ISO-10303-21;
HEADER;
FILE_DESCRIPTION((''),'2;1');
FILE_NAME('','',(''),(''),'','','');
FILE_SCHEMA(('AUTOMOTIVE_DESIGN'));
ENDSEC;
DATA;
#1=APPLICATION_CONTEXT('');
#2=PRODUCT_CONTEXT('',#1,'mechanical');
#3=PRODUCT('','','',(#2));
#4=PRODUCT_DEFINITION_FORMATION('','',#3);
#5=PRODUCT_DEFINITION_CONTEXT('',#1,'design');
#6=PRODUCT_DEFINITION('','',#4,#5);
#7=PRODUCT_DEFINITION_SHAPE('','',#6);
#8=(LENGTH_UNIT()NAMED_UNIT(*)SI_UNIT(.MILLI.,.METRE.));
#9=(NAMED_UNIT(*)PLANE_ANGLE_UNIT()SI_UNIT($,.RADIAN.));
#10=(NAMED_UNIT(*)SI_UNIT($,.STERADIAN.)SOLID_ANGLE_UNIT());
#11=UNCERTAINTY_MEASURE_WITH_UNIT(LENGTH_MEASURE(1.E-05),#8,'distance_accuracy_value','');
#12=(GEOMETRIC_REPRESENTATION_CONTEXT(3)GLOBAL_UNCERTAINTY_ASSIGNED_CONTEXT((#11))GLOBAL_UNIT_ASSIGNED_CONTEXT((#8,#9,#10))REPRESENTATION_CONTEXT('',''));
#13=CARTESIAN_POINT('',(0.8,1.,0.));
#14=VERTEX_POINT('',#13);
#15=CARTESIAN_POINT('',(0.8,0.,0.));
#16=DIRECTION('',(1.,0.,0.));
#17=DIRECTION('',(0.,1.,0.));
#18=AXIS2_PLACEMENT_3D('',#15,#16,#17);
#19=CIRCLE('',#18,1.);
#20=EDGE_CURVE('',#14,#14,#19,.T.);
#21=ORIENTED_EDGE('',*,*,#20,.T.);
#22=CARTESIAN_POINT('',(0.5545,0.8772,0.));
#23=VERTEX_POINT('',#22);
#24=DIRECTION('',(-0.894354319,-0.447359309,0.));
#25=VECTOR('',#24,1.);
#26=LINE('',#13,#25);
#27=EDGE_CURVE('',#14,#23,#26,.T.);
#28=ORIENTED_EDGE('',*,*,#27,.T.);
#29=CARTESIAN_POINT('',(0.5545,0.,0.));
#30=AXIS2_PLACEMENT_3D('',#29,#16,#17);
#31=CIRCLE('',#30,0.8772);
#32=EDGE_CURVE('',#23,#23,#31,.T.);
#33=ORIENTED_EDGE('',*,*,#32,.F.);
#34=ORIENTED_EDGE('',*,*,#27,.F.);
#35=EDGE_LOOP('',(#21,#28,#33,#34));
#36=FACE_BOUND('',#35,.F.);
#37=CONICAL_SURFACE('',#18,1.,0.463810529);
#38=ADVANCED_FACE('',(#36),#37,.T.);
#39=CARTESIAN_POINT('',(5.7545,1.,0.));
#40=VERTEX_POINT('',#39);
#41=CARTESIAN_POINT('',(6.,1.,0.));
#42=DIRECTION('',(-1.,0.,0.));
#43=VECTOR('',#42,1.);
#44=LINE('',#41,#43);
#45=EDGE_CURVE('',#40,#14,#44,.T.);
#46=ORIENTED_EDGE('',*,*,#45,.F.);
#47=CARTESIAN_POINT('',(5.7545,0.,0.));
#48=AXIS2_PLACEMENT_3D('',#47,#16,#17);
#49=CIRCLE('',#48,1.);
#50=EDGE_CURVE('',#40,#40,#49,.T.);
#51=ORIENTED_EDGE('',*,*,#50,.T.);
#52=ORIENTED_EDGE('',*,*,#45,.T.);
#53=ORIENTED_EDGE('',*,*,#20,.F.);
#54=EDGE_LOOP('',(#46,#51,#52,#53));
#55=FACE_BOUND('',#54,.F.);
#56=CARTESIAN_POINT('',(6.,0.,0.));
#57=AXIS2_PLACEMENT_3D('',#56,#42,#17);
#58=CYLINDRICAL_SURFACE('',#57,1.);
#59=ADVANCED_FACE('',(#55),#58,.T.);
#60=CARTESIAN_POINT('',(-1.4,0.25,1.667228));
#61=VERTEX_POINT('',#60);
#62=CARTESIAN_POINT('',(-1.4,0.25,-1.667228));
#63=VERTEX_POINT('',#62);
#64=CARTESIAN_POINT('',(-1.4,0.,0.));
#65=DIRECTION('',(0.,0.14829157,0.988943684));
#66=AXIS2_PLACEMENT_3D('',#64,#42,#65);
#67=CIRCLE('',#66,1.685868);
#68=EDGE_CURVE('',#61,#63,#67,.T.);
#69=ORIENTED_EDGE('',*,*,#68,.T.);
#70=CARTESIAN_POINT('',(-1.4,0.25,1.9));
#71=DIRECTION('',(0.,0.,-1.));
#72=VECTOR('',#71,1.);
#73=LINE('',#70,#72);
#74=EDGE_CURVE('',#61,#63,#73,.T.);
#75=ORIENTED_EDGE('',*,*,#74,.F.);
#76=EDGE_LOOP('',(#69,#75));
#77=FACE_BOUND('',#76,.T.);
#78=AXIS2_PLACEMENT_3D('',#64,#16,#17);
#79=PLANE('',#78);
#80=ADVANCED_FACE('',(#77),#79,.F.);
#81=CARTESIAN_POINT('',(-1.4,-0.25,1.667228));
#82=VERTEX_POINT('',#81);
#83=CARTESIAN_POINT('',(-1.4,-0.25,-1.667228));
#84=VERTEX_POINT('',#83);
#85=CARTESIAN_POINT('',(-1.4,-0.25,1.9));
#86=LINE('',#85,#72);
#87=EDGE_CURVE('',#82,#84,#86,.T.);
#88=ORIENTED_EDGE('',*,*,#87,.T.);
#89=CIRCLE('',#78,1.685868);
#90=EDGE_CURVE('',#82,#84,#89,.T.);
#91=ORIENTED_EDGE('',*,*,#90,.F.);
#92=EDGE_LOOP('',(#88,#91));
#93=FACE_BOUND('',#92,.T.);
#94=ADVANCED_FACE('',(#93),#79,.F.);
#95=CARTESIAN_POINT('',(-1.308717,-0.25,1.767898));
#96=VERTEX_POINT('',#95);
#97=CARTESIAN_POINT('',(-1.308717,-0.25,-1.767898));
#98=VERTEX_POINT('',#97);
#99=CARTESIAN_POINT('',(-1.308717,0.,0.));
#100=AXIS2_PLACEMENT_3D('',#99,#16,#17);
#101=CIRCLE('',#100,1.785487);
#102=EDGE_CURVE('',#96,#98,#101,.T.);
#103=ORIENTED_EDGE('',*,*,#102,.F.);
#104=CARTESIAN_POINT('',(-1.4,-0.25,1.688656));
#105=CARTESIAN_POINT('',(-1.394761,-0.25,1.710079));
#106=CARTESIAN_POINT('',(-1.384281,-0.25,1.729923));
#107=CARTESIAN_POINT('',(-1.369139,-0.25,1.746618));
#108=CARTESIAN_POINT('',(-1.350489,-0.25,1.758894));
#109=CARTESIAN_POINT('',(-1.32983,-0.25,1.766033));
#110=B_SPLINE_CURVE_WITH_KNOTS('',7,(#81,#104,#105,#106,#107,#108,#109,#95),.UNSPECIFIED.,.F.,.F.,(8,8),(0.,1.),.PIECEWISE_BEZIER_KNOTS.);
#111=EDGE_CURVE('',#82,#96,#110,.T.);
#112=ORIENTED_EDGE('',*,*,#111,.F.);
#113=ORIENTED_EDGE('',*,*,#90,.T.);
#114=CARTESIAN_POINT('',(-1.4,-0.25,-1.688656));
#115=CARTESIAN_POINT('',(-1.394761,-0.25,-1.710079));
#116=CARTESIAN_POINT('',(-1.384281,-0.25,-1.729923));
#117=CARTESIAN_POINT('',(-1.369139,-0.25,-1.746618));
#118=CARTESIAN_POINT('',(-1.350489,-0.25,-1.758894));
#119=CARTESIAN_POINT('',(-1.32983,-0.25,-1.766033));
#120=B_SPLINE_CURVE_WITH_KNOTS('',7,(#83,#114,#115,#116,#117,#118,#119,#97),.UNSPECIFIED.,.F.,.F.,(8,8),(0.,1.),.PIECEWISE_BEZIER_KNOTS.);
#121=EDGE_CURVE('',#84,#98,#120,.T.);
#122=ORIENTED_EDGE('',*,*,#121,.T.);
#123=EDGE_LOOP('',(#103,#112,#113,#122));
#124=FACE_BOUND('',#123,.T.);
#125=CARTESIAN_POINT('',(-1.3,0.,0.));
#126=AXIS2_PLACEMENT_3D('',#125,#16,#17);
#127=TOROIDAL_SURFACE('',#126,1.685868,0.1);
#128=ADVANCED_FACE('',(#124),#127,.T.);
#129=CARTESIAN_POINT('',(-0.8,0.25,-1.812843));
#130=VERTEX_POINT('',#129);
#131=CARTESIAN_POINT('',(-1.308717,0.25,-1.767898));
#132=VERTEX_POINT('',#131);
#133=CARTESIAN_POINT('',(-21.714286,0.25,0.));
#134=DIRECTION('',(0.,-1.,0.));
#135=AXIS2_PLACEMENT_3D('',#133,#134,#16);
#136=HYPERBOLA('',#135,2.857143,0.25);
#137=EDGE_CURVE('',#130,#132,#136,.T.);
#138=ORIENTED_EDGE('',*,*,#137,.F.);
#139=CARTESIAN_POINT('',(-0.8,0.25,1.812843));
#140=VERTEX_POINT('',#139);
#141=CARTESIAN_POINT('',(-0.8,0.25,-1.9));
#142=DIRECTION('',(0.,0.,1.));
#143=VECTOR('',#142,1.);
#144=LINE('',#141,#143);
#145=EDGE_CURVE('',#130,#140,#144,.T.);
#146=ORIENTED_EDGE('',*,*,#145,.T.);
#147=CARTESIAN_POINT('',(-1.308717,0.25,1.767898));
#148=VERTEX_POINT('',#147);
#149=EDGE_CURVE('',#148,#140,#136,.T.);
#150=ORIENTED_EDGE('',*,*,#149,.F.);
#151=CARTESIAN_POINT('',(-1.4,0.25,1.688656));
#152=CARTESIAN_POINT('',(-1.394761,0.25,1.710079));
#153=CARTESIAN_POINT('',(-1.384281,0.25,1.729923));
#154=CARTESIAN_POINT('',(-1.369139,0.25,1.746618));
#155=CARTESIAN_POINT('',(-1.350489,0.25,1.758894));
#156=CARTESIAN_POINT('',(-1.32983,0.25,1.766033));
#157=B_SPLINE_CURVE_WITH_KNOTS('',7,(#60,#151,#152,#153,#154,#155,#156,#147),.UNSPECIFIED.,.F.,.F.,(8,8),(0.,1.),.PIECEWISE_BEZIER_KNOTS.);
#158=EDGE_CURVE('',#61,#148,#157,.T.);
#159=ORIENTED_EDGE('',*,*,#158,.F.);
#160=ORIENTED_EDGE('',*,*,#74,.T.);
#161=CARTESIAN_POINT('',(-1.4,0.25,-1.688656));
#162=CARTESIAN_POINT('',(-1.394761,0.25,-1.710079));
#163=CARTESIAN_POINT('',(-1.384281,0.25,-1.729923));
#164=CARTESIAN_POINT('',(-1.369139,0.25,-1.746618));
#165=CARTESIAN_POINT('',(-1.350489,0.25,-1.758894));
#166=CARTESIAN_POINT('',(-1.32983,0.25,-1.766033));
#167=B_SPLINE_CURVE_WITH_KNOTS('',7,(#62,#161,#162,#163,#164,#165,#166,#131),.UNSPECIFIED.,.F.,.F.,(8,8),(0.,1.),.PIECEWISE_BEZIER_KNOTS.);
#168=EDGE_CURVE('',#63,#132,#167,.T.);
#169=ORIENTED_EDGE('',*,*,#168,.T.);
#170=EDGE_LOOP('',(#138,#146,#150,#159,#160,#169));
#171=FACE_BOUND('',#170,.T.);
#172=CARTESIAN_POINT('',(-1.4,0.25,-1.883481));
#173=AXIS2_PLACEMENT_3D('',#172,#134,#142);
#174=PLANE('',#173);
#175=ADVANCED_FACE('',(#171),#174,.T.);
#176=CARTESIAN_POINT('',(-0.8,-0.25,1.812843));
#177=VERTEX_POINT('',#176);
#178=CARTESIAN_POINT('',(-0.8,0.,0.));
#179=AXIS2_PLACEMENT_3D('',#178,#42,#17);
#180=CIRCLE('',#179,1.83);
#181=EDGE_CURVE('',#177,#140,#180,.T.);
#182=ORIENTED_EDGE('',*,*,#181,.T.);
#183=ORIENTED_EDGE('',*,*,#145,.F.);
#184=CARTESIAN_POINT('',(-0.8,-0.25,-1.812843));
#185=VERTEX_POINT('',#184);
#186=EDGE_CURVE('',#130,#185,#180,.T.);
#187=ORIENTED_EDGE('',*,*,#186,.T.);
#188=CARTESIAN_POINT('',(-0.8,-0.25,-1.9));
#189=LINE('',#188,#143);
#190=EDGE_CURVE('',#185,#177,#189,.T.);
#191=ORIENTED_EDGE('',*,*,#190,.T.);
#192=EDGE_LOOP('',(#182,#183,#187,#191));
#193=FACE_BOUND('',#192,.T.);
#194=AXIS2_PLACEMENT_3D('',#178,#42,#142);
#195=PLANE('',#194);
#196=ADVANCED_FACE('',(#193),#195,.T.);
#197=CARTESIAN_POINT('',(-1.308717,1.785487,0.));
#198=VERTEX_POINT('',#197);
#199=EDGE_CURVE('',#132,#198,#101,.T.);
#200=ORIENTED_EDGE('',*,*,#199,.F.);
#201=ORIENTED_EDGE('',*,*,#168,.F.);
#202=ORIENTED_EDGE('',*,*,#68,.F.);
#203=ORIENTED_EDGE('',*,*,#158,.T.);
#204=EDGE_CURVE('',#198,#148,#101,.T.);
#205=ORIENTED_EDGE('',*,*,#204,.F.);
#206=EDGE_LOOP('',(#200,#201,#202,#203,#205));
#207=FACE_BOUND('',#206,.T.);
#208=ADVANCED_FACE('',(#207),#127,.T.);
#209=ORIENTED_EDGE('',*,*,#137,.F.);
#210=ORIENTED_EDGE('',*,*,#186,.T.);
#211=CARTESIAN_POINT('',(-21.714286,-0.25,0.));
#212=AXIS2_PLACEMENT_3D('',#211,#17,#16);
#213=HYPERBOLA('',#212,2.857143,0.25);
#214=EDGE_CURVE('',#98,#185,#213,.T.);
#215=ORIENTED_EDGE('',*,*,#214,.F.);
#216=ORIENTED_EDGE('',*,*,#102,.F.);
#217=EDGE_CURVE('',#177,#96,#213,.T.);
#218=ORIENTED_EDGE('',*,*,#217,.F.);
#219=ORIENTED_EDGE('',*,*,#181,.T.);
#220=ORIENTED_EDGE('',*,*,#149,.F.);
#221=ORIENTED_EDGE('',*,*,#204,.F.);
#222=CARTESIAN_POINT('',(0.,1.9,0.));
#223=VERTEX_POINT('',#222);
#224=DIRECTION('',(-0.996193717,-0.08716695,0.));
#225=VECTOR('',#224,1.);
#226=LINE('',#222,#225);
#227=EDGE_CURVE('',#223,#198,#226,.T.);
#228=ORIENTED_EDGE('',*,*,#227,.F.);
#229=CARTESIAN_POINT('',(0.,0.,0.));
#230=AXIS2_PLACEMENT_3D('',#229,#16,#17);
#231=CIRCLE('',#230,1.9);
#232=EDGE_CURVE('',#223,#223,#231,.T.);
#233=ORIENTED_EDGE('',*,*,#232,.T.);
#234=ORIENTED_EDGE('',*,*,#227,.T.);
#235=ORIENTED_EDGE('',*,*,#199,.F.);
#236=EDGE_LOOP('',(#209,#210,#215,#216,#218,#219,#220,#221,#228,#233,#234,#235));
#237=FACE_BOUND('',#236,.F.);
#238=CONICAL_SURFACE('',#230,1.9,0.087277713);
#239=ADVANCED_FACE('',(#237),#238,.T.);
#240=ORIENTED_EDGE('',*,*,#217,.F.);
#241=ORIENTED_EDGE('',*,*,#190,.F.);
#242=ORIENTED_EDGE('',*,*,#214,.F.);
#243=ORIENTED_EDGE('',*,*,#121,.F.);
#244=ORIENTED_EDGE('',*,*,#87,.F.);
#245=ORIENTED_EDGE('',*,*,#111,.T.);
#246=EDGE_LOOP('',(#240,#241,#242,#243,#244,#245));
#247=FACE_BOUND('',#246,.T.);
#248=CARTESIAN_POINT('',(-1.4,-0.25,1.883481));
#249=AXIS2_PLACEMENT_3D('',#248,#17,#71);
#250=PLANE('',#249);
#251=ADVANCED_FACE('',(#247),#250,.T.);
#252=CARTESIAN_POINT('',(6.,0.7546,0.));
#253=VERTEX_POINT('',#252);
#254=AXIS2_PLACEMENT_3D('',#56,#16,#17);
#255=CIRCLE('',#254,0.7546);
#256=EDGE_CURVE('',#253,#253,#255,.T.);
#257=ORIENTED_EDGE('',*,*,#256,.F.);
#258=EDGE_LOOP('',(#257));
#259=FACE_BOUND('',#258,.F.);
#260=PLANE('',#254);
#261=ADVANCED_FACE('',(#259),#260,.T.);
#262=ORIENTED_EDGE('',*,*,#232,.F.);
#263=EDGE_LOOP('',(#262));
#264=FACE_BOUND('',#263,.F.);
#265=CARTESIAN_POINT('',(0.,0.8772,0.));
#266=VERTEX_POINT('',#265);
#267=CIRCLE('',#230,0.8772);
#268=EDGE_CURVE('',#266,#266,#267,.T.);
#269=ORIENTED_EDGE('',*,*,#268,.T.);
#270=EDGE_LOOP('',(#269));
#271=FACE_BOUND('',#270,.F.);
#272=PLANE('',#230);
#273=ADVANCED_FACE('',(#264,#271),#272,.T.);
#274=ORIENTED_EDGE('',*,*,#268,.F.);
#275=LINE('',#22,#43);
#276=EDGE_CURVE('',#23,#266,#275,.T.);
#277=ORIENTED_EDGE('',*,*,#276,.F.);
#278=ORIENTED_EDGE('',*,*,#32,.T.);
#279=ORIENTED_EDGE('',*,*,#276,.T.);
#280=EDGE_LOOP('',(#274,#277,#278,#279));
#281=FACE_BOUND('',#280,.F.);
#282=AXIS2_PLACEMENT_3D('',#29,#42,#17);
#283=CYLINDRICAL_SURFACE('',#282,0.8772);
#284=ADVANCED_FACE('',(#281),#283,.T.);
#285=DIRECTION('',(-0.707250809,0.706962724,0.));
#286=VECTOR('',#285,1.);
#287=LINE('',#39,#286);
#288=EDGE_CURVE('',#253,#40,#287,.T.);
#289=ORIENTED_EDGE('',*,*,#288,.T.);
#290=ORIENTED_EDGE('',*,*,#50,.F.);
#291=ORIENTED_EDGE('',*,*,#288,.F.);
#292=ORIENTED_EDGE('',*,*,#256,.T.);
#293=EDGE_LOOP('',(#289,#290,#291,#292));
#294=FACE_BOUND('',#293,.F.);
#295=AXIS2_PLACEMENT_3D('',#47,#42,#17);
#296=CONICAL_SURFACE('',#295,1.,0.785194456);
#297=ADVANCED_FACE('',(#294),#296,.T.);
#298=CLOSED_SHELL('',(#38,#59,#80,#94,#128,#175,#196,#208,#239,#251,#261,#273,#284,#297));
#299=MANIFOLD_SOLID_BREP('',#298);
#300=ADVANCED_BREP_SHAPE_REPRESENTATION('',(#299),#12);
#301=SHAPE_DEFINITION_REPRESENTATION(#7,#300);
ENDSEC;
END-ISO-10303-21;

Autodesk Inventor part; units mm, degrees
ref_plane "YZ Plane" through (0, 0, 0) normal (1, 0, 0) x (0, 1, 0)
ref_plane "XZ Plane" through (0, 0, 0) normal (0, 1, 0) x (-1, 0, 0)
sketch "Skizze1" plane through (0, 0, 0) normal (0, 0, 1) x (1, 0, 0)
  line L0 (-1.4, 0) -> (6, 0)
  line L1 (6, 0) -> (6, 1)
  line L2 (6, 1) -> (0.8, 1)
  line L3 (0.8, 1) -> (0.5545, 0.8772)
  line L4 (0.5545, 0.8772) -> (0, 0.8772)
  line L5 (0, 0.8772) -> (0, 1.9)
  line L6 (-2.88, 0) -> (7.48, 0) projected
  line L7 (0, -0.38) -> (0, 2.28) projected
  line L8 (-1.4, 0) -> (-1.4, 1.7775)
  line L9 (0, 1.9) -> (-1.4, 1.7775)
  line L10 (0.8, 1) -> (0, 1) construction
  dimension "d0" = 6
  dimension "d1" = 5.2
  dimension "d2" = 0.2455
  dimension "d3" = 1.4
  dimension "d4" = 2
  dimension "d5" = 1.7545
  dimension "d9" = 3.8
  dimension "d10" = 5
revolve "Körper" add sketch "Skizze1" angle 360 about axis through (-1.4, 0, 0) along (1, 0, 0)
sketch "Skizze2" plane through (-1.4, 0, 0) normal (-1, 0, 0) x (0, 0, 1)
  circle A0 centre (0, 0) radius 1.9 projected
  line L0 (0, 0) -> (0, 1.7775) projected
  line L1 (-1.9, 0.25) -> (1.9, 0.25)
  line L2 (1.9, 0.25) -> (1.9, -0.25)
  line L3 (1.9, -0.25) -> (-1.9, -0.25)
  line L4 (-1.9, -0.25) -> (-1.9, 0.25)
  line L5 (-1.9, 0) -> (1.9, 0) construction
  line L6 (0, 0.25) -> (0, -0.25) construction
  dimension "d11" = 0.5
  dimension "d12" = 3.8
fillet "Rundung1" radius 0.1 1 edges at (-1.4, -1.7775, 0)
extrude "Loch" cut sketch "Skizze2" against normal blind 0.6 contours A0 L3 L1 | L2 L3 A0 | A0 L1 L2 | A0 L4 L1 | L3 L4 A0
thread "Gewinde" size "M2x0.4" class "6g" standard "ISO Metric profile" length 5.2
chamfer "Fase1" distance 0.2454 distance2 0.2455 1 edges at (6, -1, 0) measured on face at (6, 0.2495, 0.221)
ref_plane "Work Plane1" through (30.1625, 0, 0) normal (0, 0, -1) x (1, 0, 0)
equation "\"d11\" = SBR"
equation "\"d12\" = KOD"
equation "\"d14\" = RR"
equation "\"d19\" = STI"
equation "\"d15\" = GEL"
equation "\"d17\" = -0.5 * SPD + 0.5 * GD"
equation "\"d0\" = NLG"
equation "\"d1\" = GEL"
equation "\"d3\" = KOH"
equation "\"d4\" = GD"
equation "\"d5\" = BDM"
equation "\"d9\" = KOD"
equation "\"d10\" = KEWI"
equation "\"GD\" = NND"
equation "\"NLG\" = 6"
equation "\"GEL\" = 5.2"
equation "\"KOD\" = 3.8"
equation "\"KOH\" = 1.4"
equation "\"GAL\" = 0.61345 * PTC"
equation "\"SPD\" = NND - 1.2269 * PTC"
equation "\"BDM\" = 1.7545"
equation "\"GUL\" = 0.61345 * PTC"
equation "\"RR\" = 0.1"
equation "\"SBR\" = 0.5"
equation "\"STI\" = 0.6"
equation "\"KEWI\" = 5deg"
equation "\"PTC\" = 0.4"
equation "\"THREADDIA\" = 2"
equation "\"TOA\" = 30deg"
equation "\"NND\" = 2"
equation "\"GD1\" = THREADDIA - 1.2269 * PTC"
properties part number "ISO 1207  - M2 x 6" material "Edelstahl, 440C"
